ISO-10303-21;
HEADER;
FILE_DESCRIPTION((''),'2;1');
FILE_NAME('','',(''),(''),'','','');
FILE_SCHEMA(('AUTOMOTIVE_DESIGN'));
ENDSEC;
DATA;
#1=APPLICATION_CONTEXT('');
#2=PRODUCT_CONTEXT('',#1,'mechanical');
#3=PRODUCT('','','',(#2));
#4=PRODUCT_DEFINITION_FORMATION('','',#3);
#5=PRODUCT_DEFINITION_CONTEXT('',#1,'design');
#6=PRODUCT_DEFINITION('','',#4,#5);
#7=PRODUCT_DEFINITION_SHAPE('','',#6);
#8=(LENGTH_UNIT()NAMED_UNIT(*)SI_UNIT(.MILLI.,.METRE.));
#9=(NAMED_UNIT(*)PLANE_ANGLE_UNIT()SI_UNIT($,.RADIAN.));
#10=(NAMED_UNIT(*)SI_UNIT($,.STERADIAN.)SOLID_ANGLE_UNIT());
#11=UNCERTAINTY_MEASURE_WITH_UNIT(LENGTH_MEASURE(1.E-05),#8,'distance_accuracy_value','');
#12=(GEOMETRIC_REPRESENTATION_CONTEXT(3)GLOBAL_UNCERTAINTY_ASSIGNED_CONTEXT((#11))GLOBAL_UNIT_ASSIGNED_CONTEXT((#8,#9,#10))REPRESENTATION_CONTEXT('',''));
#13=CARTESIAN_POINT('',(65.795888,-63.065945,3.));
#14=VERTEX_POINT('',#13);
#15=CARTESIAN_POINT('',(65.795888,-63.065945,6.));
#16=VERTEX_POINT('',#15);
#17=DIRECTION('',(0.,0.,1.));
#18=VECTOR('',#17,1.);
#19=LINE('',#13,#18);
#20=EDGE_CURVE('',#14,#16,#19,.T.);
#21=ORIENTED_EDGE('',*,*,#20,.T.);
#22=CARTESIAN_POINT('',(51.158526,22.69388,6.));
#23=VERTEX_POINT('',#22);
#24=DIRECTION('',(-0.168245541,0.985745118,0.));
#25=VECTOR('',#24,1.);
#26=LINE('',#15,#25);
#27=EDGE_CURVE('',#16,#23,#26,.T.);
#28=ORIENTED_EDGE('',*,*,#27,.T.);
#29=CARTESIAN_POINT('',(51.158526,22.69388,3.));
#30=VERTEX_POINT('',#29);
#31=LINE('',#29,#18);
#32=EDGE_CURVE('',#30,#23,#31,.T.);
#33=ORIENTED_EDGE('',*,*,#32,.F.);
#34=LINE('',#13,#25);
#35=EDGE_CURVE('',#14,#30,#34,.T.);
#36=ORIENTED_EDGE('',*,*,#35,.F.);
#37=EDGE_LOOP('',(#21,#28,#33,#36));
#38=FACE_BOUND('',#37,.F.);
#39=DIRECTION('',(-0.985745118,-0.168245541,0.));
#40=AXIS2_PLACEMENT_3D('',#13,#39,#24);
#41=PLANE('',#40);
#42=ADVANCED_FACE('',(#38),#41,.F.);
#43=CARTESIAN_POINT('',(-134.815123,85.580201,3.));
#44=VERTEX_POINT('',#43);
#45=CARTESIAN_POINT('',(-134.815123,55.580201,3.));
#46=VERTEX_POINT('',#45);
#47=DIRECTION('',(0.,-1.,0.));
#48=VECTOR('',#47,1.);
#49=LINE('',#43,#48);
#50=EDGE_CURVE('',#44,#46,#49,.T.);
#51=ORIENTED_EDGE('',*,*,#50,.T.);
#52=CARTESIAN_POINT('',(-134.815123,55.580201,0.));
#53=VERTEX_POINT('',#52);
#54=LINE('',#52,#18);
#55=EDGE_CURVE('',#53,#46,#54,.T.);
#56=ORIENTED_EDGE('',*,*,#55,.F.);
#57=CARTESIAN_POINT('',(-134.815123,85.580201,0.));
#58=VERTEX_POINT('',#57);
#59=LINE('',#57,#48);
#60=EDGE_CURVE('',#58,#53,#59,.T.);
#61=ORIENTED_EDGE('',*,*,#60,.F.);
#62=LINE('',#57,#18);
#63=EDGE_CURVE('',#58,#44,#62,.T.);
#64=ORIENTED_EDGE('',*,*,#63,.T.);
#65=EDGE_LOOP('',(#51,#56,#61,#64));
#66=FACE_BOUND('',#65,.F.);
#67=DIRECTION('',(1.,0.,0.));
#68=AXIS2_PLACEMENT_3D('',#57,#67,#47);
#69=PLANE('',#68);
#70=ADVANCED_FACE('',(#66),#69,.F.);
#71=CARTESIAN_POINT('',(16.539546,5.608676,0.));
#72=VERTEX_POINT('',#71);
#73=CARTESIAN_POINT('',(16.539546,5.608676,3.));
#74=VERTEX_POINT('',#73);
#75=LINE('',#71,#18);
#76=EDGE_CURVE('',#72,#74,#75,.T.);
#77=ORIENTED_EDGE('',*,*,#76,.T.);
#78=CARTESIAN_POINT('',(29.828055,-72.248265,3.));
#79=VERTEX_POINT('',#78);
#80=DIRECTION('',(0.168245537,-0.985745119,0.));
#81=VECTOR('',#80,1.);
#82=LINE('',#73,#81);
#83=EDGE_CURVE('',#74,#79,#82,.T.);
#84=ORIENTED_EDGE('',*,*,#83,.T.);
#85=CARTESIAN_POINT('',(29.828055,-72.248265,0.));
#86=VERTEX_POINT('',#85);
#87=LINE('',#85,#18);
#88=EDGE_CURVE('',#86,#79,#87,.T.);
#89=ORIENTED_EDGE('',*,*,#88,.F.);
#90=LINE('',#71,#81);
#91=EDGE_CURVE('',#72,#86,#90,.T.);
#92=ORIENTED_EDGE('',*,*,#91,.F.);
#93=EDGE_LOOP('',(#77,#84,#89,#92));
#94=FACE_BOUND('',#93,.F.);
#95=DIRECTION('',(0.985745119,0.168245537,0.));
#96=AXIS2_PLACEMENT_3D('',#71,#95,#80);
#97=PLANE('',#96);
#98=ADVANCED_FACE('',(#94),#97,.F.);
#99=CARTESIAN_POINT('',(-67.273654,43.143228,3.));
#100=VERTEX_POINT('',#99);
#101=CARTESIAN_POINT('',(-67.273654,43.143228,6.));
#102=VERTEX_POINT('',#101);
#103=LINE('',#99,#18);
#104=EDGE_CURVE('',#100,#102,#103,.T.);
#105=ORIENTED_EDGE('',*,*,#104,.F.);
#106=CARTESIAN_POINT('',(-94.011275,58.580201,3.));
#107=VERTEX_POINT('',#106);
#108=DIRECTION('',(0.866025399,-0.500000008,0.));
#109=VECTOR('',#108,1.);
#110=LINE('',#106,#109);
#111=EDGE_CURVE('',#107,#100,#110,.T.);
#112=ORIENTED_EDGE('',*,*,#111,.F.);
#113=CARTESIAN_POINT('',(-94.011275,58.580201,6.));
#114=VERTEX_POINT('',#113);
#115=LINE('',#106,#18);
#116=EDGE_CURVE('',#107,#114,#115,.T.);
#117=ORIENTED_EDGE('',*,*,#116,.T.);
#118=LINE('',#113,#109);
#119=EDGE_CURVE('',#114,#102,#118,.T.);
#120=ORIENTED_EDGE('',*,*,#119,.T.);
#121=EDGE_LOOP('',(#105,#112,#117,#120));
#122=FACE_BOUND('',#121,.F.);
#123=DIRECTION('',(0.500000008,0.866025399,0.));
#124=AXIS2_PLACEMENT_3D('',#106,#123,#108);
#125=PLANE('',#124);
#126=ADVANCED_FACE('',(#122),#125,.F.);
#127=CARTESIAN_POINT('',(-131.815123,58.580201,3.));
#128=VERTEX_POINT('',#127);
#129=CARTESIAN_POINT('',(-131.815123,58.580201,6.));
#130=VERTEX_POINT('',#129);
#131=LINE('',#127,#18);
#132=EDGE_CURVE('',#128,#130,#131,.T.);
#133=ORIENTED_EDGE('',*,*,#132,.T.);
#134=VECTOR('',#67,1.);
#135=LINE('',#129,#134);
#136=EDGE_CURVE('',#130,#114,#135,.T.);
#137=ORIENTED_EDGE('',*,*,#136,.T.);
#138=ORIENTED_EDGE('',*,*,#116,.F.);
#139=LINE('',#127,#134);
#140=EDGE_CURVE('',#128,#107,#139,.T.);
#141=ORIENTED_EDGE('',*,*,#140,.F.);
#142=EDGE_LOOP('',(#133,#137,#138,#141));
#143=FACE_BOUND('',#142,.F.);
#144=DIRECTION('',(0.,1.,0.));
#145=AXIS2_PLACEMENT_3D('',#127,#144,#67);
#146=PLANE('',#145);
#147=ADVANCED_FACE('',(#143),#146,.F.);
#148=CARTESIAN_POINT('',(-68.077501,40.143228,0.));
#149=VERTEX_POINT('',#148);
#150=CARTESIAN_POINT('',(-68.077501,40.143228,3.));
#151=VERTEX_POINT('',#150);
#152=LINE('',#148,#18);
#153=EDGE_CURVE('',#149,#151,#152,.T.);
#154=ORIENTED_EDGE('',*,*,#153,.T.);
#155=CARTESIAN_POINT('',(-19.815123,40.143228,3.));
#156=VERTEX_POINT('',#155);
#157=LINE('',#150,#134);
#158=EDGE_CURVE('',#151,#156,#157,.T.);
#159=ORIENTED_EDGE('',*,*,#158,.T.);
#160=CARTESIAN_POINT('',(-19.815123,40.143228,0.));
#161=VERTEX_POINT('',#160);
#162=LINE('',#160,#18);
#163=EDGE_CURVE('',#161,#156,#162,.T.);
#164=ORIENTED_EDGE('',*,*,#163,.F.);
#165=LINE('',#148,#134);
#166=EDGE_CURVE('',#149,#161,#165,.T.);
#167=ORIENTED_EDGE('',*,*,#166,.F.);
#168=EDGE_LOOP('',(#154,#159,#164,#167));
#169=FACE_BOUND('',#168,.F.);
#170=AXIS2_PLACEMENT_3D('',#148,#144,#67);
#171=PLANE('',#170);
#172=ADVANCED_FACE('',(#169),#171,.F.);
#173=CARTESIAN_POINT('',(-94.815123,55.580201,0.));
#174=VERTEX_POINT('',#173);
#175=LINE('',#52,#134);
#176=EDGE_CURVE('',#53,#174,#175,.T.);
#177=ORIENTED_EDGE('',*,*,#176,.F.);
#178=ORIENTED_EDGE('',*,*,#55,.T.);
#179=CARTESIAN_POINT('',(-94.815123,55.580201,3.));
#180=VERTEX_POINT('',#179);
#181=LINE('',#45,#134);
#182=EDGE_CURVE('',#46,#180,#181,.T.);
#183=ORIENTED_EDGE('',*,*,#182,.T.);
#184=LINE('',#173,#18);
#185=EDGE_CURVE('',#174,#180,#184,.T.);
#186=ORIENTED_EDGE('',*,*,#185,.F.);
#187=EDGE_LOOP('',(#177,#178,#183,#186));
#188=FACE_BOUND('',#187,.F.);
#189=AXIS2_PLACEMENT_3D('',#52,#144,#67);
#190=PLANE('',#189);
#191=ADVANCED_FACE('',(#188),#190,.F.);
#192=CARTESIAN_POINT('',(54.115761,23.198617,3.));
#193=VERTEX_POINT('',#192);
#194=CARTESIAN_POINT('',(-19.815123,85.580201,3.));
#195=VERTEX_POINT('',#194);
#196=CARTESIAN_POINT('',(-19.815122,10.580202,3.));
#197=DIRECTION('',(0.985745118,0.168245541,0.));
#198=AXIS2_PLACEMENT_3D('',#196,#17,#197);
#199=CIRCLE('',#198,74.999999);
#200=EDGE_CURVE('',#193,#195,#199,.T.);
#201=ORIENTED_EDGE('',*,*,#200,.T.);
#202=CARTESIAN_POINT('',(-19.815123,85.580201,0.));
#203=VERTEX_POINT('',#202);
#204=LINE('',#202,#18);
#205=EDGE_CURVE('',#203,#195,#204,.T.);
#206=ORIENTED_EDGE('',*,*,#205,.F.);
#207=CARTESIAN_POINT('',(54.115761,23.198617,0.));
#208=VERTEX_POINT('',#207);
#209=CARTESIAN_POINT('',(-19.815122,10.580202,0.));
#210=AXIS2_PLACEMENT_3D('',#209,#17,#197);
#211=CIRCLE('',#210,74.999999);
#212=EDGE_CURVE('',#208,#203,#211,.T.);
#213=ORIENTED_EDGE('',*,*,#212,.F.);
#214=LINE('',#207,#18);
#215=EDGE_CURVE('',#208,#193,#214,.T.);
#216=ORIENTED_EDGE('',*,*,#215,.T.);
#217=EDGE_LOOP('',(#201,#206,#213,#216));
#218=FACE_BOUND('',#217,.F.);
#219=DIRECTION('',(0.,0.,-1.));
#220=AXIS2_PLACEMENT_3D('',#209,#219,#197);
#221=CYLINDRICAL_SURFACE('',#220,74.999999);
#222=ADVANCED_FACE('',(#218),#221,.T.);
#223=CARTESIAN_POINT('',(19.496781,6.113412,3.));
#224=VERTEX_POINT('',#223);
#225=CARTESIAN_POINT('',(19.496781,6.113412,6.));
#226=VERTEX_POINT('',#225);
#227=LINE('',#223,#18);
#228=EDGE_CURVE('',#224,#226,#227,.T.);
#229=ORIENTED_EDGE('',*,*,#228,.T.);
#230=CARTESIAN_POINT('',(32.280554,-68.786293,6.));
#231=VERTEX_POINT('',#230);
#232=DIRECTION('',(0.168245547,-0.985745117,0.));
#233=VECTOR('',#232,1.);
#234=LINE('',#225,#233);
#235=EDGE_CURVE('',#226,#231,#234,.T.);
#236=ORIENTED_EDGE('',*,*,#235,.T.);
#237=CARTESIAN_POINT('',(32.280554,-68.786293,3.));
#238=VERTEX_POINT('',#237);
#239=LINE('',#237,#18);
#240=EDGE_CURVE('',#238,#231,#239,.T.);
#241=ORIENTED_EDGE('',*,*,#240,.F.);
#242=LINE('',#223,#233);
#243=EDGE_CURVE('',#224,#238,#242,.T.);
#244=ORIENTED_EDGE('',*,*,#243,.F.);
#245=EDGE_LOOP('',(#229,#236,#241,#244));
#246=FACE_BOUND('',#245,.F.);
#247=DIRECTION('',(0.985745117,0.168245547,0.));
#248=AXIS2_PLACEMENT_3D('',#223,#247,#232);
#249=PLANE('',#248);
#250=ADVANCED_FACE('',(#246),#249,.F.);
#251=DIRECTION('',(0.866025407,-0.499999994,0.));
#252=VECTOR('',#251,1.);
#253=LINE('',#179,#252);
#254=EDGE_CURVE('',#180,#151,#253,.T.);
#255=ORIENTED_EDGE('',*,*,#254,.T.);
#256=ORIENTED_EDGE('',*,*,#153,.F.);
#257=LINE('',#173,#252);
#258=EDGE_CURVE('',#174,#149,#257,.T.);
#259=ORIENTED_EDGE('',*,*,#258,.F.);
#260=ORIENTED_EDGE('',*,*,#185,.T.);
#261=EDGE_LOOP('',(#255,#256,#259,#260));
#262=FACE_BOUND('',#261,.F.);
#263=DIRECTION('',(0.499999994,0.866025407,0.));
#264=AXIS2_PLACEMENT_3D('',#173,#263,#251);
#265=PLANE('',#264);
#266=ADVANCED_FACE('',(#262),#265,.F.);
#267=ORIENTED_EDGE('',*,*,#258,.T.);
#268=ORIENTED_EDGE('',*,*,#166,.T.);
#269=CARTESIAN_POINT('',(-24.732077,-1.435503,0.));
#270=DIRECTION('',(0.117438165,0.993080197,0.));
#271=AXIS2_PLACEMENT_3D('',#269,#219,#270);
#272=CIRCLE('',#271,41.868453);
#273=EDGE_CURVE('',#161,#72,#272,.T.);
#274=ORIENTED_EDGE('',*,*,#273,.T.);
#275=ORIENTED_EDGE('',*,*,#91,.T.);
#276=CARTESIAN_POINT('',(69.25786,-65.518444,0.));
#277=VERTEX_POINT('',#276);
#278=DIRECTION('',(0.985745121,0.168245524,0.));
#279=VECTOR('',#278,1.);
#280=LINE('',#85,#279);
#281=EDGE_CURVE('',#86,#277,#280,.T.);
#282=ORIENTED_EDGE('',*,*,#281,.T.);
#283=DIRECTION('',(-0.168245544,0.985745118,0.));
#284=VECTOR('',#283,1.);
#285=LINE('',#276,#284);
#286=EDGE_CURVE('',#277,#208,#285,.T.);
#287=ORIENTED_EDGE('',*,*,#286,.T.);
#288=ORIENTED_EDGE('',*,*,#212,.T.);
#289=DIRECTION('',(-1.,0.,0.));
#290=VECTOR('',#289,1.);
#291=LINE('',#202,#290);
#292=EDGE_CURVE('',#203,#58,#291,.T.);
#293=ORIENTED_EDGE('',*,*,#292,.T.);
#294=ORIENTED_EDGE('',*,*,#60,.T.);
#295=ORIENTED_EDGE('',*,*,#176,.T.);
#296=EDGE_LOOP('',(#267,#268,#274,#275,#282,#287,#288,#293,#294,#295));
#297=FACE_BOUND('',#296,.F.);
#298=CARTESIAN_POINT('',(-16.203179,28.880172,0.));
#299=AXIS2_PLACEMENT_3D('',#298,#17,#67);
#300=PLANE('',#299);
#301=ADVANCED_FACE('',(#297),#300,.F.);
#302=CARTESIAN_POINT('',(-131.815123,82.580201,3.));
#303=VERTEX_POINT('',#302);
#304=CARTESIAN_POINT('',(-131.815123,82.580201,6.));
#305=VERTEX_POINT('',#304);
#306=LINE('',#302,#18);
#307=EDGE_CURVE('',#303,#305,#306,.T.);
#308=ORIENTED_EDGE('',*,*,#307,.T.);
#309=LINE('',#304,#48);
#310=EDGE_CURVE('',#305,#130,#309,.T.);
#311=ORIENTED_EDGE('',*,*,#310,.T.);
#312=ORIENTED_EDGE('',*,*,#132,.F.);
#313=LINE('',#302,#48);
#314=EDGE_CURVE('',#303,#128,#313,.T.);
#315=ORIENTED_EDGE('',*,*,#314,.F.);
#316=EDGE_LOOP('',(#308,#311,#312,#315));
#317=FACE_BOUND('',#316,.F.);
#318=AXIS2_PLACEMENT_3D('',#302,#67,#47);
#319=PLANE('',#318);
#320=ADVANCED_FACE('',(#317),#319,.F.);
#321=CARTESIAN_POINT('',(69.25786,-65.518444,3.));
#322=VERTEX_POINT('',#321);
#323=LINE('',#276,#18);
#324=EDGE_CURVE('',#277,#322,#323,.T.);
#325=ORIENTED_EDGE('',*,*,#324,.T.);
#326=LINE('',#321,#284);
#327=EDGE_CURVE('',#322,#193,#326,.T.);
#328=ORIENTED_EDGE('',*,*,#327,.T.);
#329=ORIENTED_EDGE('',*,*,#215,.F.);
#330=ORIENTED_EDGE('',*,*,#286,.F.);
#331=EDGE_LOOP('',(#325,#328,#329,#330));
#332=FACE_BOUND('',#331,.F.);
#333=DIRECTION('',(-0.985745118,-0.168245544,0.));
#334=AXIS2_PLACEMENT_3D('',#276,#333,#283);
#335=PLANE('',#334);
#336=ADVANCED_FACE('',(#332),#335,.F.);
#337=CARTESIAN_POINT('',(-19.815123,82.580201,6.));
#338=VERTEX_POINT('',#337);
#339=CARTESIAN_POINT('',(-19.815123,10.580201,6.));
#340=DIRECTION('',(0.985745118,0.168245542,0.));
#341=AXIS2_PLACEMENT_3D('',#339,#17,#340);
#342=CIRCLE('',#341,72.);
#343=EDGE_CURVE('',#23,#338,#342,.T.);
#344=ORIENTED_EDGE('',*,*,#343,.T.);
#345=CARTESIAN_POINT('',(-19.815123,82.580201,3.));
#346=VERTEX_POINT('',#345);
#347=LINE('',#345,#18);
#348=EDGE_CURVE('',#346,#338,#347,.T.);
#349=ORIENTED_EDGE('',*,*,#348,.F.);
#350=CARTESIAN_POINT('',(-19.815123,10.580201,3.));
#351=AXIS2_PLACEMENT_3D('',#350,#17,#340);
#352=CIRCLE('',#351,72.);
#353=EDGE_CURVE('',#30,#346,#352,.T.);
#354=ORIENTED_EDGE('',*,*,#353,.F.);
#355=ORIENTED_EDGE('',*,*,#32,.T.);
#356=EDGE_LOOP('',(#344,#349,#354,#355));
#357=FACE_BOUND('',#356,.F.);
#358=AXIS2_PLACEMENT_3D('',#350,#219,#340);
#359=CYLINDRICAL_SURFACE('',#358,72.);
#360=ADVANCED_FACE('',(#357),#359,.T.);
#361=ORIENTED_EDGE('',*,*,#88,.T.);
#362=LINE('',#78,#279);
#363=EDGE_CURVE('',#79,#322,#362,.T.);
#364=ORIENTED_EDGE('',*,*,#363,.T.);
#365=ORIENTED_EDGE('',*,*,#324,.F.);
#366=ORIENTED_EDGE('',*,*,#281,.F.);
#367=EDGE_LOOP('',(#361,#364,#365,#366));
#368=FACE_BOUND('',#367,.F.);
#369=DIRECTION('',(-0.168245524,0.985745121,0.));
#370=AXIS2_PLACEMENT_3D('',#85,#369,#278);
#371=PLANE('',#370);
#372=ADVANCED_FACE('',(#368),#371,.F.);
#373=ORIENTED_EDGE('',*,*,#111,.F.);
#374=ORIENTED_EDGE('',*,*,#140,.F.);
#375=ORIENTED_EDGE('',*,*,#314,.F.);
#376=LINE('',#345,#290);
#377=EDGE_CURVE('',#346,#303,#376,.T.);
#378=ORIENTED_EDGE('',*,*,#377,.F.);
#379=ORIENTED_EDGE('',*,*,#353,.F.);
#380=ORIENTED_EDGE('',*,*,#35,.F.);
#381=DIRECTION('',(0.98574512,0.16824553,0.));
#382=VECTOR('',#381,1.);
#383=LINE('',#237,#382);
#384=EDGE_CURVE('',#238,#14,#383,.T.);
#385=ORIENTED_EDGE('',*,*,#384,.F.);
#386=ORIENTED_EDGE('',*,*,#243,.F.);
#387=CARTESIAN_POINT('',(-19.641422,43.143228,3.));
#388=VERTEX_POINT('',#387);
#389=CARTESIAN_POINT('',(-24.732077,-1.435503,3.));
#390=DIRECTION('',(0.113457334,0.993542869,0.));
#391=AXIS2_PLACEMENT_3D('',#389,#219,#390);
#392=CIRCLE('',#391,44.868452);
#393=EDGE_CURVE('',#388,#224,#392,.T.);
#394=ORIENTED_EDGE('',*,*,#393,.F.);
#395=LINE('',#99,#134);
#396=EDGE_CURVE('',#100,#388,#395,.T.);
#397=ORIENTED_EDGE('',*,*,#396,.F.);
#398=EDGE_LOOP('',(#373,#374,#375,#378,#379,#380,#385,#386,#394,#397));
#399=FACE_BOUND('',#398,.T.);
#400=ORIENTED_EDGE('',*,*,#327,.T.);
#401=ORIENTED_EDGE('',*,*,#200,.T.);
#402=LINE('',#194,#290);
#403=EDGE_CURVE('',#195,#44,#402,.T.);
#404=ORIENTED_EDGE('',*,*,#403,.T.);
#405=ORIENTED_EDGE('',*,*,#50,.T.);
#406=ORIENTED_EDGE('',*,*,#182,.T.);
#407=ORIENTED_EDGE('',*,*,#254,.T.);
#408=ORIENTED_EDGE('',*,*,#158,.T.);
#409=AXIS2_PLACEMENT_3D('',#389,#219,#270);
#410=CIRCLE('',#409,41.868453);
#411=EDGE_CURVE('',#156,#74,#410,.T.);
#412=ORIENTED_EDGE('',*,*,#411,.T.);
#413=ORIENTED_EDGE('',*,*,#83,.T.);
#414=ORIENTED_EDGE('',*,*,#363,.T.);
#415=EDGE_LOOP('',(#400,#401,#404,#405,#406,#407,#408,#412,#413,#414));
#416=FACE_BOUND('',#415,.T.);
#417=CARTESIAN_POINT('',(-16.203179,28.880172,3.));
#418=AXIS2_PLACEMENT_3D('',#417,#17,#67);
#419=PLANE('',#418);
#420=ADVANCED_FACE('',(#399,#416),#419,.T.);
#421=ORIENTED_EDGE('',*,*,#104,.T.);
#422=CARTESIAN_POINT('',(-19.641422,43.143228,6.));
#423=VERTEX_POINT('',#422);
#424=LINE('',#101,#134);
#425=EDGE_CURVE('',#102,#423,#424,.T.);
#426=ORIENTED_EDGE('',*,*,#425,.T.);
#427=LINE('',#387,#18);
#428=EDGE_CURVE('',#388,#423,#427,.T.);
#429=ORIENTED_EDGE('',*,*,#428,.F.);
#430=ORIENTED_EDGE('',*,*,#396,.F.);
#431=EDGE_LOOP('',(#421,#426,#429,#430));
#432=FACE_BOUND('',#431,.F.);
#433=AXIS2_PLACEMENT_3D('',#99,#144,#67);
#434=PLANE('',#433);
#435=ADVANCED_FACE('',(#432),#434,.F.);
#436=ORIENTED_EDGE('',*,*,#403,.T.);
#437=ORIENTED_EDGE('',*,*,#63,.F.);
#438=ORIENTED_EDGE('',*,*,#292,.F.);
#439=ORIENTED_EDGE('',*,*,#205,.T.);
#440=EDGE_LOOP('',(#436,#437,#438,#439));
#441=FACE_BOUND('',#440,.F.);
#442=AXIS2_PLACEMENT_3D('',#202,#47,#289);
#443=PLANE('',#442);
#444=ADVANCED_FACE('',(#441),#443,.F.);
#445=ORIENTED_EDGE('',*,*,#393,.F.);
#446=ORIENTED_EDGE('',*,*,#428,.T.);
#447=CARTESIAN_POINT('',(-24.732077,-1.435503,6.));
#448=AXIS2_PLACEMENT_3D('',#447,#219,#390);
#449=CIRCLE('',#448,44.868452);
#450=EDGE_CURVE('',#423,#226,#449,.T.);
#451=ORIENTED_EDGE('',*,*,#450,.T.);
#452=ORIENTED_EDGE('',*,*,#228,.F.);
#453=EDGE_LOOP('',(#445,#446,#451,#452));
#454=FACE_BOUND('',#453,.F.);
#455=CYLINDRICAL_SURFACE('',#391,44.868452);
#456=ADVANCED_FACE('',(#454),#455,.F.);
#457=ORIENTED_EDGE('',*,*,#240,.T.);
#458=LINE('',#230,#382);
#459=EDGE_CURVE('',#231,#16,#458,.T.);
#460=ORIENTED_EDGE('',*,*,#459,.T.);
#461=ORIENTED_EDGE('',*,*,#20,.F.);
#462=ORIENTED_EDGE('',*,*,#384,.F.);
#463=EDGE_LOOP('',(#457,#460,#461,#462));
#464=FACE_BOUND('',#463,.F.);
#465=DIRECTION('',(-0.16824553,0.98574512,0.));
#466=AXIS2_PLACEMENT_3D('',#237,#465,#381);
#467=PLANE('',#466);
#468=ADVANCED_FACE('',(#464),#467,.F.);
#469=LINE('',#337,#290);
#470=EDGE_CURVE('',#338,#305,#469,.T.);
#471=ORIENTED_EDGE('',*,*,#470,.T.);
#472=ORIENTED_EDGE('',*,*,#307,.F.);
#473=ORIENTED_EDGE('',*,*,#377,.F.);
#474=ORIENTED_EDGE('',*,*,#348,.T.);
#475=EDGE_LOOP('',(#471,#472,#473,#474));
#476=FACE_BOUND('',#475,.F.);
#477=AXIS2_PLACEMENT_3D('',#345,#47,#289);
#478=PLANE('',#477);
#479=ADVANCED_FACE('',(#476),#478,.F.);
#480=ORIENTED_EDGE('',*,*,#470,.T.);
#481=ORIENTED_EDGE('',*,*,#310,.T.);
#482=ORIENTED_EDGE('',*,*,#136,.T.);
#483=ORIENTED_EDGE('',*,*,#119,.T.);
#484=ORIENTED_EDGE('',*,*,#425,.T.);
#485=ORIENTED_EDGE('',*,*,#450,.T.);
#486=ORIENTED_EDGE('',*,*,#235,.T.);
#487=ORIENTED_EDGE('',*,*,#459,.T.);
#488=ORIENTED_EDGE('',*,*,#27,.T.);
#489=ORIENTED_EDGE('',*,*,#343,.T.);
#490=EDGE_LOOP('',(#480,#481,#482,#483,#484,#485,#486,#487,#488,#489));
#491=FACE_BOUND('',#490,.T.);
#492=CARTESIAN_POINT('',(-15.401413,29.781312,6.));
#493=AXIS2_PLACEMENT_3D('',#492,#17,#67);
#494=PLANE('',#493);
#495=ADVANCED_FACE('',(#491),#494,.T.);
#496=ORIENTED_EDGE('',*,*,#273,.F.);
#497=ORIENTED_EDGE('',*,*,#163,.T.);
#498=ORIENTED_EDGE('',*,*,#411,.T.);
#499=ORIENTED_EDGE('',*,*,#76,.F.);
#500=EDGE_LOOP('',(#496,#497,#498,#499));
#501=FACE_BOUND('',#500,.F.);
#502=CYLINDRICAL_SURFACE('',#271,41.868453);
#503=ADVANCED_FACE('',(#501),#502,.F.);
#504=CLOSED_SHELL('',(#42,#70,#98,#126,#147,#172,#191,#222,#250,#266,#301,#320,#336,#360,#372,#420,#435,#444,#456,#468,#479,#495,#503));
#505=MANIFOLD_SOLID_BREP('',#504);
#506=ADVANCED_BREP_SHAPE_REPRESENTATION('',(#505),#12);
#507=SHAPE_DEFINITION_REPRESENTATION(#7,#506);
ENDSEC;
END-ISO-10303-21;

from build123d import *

# Parameters (mm, degrees)
F1_DEPTH = 3
F3_DEPTH = 3


with BuildPart() as f1:
    # F0 (on Top) → F1 (new body)
    with BuildSketch(Plane.XY):
        with BuildLine():
            Line((-19.815123, 85.580201), (-134.815123, 85.580201))
            Line((-134.815123, 85.580201), (-134.815123, 55.580201))
            Line((-134.815123, 55.580201), (-94.815123, 55.580201))
            Line((-94.815123, 55.580201), (-68.077501, 40.143228))
            Line((-68.077501, 40.143228), (-19.815123, 40.143228))
            ThreePointArc((-19.815123, 40.143228), (4.103751, 28.920095), (16.539546, 5.608676))
            Line((16.539546, 5.608676), (29.828055, -72.248265))
            Line((29.828055, -72.248265), (69.25786, -65.518444))
            Line((69.25786, -65.518444), (54.115761, 23.198617))
            ThreePointArc((54.115761, 23.198617), (28.551285, 67.901145), (-19.815123, 85.580201))
        make_face()
    extrude(amount=F1_DEPTH)

    # F2 (on face) → F3 (join)
    with BuildSketch(Plane.XY.offset(3)):
        with BuildLine():
            Line((-94.011275, 58.580201), (-67.273654, 43.143228))
            Line((-67.273654, 43.143228), (-19.641422, 43.143228))
            ThreePointArc((-19.641422, 43.143228), (6.104677, 31.157021), (19.496781, 6.113412))
            Line((19.496781, 6.113412), (32.280554, -68.786293))
            Line((32.280554, -68.786293), (65.795888, -63.065945))
            Line((65.795888, -63.065945), (51.158526, 22.69388))
            ThreePointArc((51.158526, 22.69388), (26.616629, 65.608307), (-19.815123, 82.580201))
            Line((-19.815123, 82.580201), (-131.815123, 82.580201))
            Line((-131.815123, 82.580201), (-131.815123, 58.580201))
            Line((-131.815123, 58.580201), (-94.011275, 58.580201))
        make_face()
    extrude(amount=F3_DEPTH)


solid = f1.part
